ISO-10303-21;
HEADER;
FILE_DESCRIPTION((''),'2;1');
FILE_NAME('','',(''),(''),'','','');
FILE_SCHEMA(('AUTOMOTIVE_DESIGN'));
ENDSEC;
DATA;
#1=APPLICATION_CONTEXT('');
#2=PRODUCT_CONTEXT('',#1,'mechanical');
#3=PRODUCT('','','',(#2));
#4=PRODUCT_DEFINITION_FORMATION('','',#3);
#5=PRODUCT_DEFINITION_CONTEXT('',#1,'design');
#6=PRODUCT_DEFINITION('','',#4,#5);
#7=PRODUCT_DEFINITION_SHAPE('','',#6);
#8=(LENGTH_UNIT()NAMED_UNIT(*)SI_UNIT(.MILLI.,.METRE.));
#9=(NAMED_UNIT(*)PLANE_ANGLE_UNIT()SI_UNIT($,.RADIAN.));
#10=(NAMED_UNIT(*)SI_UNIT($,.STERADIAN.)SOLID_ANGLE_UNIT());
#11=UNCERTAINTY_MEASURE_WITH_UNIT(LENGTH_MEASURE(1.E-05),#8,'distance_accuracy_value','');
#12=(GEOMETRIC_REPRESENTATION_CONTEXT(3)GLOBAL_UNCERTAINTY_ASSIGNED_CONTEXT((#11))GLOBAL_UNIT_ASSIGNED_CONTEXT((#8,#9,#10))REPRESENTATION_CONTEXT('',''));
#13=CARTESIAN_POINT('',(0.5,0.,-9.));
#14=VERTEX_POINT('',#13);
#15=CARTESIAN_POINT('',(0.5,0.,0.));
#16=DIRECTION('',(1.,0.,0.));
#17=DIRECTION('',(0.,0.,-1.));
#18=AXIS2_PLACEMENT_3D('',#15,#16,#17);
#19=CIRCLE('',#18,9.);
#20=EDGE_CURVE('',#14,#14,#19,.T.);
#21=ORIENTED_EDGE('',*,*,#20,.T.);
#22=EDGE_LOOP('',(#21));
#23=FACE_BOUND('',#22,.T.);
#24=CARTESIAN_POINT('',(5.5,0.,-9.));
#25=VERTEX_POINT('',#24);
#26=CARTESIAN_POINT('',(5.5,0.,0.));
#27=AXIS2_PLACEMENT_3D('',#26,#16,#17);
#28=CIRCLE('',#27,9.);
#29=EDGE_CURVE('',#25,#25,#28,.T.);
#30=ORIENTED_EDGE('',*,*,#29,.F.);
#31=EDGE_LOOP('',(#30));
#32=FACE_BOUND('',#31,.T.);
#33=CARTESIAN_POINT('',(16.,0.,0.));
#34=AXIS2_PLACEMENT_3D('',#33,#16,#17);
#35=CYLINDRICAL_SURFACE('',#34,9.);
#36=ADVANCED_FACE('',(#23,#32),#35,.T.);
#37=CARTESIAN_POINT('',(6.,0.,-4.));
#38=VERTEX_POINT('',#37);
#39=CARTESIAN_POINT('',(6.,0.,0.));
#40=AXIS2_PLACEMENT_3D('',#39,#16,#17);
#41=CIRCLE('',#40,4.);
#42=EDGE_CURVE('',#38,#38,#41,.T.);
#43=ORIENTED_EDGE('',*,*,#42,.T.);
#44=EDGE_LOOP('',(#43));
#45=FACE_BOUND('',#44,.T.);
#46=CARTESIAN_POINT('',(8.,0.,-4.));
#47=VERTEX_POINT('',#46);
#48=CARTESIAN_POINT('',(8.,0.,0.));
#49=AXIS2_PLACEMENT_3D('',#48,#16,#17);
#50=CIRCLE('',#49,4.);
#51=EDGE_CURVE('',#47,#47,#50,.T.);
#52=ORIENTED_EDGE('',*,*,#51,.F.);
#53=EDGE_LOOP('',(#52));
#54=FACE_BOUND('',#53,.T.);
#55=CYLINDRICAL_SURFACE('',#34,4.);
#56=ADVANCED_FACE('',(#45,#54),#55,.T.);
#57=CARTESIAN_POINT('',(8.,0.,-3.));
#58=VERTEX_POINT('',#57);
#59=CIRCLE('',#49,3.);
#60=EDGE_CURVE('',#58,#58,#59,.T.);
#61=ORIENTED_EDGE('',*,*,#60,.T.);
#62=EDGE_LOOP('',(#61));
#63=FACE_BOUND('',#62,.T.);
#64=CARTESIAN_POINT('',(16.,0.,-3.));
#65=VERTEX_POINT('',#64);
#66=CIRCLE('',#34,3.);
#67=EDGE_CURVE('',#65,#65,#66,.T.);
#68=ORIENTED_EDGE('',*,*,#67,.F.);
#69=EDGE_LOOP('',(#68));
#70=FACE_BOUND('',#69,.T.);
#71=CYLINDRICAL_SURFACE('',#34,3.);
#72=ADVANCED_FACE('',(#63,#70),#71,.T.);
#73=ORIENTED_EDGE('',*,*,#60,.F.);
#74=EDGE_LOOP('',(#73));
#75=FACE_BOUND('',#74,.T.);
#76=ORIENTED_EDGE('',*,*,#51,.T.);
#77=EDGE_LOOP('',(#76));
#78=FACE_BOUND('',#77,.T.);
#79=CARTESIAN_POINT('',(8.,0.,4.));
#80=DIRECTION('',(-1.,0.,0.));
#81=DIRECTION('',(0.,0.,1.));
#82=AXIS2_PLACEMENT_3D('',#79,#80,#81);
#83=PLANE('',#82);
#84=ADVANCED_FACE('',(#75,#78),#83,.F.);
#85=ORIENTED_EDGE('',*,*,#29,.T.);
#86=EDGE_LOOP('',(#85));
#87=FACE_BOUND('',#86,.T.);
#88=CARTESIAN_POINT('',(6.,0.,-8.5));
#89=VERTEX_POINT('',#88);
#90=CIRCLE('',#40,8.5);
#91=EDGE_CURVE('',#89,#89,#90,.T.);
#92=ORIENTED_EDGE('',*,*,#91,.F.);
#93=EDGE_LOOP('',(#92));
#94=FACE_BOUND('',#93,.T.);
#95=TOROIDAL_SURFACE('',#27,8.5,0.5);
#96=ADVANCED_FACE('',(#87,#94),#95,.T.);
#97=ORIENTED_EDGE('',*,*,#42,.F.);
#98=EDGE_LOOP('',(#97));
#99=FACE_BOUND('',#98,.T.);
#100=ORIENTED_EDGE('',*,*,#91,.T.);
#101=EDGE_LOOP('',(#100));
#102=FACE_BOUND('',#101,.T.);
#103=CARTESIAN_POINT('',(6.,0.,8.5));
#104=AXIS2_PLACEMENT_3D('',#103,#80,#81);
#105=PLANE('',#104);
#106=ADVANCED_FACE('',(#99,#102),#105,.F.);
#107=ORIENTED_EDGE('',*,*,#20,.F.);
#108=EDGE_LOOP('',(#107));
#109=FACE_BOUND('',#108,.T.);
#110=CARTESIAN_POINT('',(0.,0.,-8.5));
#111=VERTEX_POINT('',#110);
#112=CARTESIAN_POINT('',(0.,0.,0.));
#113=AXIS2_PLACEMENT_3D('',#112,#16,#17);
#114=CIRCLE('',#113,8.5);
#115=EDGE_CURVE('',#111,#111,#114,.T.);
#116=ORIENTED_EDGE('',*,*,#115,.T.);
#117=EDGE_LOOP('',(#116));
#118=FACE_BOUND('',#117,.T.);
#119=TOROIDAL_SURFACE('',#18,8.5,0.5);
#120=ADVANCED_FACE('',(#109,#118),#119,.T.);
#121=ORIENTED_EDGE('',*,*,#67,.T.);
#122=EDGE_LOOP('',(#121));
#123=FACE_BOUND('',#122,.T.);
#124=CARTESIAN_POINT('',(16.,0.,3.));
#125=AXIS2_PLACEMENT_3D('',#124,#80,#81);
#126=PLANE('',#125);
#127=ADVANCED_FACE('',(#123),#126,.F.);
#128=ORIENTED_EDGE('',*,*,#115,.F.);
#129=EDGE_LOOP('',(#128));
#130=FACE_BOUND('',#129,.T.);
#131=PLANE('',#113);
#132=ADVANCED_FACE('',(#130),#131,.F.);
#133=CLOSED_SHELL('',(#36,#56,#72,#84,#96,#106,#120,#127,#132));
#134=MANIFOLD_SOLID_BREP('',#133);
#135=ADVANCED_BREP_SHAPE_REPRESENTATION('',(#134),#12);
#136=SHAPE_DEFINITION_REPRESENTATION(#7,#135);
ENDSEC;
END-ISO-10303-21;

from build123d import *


with BuildPart() as part:
    # 草图1 → 旋转1 (revolve)
    with BuildSketch(Plane(origin=(0, 0, 0), x_dir=(1, 0, 0), z_dir=(0, 1, 0))):
        with BuildLine():
            Line((0, 0), (0, -8.5))
            ThreePointArc((0, -8.5), (0.146446609, -8.853553391), (0.5, -9))
            Line((0.5, -9), (5.5, -9))
            ThreePointArc((5.5, -9), (5.853553391, -8.853553391), (6, -8.5))
            Line((6, -8.5), (6, -4))
            Line((6, -4), (8, -4))
            Line((8, -4), (8, -3))
            Line((8, -3), (16, -3))
            Line((16, -3), (16, 0))
            Line((16, 0), (0, 0))
        make_face()
    revolve(axis=Axis((16, 0, 0), (-1, 0, 0)))


solid = part.part
